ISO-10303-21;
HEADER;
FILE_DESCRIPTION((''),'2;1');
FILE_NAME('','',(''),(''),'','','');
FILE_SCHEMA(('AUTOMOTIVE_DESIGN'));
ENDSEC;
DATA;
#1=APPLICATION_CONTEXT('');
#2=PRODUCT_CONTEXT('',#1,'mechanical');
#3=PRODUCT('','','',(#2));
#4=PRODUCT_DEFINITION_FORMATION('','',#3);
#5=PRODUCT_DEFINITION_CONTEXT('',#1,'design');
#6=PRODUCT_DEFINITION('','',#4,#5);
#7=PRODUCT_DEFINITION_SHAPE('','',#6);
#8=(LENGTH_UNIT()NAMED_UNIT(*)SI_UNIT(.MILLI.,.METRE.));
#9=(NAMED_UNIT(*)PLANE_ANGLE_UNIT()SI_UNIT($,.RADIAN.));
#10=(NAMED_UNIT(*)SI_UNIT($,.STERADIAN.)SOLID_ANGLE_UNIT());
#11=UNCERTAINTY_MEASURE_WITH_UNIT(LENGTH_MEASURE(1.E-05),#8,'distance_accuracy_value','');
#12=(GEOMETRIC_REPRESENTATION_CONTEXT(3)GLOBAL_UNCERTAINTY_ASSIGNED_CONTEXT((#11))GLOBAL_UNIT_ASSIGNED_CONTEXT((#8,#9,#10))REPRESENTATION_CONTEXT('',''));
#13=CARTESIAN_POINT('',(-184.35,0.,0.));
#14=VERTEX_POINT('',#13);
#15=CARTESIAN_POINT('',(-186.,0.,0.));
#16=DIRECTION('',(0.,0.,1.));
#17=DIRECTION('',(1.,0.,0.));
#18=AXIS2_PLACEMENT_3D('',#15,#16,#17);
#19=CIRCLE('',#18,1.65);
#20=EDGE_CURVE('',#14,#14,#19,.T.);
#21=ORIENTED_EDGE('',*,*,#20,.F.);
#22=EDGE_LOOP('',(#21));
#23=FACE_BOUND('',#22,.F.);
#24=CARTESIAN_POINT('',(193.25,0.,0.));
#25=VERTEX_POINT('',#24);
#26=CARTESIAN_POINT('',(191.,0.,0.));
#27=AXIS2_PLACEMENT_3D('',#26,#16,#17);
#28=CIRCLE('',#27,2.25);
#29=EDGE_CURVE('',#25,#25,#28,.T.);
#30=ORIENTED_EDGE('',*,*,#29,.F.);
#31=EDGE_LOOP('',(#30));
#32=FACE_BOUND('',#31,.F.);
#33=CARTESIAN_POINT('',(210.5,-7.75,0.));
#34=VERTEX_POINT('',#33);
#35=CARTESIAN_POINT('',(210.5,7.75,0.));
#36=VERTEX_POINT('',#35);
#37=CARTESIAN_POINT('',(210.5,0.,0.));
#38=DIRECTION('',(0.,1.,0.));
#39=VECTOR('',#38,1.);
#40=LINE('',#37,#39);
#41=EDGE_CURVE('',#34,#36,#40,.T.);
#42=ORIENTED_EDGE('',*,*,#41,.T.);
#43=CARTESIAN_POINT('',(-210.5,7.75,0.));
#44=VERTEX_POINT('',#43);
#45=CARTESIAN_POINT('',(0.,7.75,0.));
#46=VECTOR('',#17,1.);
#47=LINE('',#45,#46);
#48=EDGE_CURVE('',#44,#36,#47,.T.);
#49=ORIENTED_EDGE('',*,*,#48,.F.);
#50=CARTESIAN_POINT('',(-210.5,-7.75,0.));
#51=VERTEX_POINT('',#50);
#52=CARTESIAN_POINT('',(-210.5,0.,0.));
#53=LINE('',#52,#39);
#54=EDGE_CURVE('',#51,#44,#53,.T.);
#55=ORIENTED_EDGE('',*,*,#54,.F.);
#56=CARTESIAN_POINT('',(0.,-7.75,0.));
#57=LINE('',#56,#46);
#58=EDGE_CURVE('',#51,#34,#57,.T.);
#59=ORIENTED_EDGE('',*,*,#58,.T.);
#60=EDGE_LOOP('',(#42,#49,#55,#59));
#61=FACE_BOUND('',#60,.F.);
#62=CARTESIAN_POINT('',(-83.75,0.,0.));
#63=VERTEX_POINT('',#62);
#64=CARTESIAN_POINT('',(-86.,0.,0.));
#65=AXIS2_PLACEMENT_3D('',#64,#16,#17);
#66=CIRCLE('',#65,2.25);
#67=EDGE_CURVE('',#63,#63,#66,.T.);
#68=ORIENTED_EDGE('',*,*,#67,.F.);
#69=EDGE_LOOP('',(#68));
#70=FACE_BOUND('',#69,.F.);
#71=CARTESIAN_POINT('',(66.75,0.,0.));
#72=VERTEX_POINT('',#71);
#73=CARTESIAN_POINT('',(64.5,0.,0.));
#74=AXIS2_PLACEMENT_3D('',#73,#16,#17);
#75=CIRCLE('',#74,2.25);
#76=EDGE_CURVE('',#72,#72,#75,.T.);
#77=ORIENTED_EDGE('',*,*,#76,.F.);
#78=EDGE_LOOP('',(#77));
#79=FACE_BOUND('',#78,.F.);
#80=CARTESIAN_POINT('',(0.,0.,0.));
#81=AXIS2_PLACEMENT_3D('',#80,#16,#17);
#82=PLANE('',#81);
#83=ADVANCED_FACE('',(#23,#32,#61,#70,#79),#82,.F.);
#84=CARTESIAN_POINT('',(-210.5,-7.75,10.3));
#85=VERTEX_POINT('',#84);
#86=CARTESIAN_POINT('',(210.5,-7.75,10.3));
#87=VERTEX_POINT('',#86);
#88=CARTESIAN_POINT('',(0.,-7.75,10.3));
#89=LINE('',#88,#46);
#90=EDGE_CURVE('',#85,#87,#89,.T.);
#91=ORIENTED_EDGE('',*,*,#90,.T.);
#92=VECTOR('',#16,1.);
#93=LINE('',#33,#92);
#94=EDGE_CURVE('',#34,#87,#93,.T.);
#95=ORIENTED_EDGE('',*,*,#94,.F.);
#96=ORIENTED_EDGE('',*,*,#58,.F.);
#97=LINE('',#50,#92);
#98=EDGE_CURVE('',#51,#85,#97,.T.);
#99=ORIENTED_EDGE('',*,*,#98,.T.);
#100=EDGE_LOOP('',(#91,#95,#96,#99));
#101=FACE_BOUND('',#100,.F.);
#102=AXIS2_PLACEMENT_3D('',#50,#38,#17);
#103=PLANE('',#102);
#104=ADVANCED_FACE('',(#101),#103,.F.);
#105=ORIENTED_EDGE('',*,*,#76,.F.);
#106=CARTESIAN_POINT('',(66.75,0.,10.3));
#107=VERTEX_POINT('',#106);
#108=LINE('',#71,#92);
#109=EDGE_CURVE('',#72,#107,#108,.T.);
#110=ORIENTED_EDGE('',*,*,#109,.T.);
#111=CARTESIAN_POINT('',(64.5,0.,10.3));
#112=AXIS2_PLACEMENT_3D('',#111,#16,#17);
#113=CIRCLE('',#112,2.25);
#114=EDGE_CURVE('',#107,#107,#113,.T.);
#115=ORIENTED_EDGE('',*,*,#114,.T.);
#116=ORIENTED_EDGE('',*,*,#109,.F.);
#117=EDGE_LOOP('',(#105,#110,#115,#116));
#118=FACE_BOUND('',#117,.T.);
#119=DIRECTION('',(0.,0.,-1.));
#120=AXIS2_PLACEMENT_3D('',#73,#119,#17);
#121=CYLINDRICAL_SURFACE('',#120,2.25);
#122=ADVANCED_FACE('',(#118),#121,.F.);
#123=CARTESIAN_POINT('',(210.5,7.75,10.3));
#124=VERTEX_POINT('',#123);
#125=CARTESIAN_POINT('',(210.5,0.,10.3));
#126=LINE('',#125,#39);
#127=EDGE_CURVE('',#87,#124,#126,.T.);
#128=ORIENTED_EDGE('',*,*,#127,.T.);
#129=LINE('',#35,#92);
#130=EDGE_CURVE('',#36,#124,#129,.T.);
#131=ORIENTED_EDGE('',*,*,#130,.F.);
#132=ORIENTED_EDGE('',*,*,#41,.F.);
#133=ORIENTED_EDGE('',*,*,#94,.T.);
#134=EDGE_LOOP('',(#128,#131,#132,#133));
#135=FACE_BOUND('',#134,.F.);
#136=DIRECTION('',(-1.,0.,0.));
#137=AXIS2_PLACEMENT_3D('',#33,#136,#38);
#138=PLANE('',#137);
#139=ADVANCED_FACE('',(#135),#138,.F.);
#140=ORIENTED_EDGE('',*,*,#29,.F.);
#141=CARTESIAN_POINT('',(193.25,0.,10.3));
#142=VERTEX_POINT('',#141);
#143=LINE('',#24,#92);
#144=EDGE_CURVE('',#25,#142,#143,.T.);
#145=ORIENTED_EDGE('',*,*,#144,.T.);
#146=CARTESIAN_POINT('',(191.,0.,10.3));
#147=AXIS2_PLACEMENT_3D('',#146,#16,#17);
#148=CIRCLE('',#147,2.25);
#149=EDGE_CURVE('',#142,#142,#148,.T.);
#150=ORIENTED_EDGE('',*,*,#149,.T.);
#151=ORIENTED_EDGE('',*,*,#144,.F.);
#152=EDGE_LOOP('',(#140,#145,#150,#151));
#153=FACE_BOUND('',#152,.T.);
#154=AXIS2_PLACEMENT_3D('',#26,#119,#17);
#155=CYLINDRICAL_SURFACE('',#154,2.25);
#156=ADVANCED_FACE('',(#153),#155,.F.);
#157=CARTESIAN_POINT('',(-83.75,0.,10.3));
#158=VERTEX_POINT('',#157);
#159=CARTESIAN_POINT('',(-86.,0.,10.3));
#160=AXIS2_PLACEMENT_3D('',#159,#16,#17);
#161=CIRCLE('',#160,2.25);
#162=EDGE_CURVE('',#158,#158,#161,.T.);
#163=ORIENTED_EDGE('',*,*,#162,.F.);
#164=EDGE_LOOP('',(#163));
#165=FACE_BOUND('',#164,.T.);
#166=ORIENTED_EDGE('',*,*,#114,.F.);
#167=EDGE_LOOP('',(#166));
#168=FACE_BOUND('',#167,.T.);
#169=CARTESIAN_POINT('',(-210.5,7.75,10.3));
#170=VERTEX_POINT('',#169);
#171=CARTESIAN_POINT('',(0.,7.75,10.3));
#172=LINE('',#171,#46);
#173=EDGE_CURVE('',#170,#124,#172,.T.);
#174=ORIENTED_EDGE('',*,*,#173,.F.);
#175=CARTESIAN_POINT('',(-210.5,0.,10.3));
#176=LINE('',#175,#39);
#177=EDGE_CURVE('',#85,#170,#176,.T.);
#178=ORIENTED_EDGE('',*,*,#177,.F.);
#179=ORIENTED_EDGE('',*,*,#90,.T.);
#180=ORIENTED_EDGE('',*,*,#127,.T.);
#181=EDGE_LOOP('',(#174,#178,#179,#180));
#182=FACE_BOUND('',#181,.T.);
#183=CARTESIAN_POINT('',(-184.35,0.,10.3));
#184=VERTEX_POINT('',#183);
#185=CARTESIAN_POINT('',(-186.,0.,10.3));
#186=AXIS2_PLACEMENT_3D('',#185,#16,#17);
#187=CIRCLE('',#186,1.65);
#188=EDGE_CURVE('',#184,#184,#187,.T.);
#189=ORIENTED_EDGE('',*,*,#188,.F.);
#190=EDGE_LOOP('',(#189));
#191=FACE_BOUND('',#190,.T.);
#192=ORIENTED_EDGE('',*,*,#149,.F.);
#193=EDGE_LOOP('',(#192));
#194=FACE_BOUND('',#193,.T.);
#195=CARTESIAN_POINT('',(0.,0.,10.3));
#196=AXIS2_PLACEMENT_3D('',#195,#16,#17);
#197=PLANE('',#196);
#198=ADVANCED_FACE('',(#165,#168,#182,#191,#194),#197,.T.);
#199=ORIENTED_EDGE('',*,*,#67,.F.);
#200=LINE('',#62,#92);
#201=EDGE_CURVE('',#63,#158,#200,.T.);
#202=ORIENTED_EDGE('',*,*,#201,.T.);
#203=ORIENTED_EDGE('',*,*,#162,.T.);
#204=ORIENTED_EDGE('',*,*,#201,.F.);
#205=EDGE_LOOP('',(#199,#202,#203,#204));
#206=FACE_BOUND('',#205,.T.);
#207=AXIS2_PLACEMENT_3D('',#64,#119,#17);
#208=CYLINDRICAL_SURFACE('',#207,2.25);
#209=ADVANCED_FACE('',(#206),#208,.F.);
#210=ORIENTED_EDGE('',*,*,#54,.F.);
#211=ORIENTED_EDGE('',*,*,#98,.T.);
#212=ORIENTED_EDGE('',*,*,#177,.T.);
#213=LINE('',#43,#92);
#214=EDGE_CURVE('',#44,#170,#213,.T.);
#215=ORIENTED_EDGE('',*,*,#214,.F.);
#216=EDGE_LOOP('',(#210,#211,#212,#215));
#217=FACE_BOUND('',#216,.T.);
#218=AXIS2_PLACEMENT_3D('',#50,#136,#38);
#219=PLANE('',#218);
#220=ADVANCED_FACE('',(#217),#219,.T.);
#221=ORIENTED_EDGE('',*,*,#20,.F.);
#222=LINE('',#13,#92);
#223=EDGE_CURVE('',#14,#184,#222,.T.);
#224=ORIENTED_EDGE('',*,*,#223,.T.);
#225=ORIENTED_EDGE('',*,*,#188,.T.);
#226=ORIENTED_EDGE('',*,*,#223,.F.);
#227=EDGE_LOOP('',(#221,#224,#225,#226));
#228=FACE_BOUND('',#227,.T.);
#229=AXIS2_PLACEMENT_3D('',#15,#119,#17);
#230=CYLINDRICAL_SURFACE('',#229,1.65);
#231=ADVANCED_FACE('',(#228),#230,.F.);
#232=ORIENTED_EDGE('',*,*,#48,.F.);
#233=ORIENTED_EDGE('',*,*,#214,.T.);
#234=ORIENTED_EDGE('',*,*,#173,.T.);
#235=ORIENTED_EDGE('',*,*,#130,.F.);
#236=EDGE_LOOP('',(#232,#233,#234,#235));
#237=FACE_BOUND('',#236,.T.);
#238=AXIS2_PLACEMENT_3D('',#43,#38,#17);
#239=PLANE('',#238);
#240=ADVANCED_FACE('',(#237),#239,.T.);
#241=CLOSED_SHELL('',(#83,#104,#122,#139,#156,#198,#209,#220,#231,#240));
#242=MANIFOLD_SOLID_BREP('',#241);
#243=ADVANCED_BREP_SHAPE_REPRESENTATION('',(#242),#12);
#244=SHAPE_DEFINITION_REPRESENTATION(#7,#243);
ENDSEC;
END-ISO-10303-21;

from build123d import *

# Parameters (mm, degrees)
F0_W     = 421
F0_H     = 15.5
F0_R     = 1.65
F0_R_2   = 2.25
F1_DEPTH = 10.3


with BuildPart() as f1:
    # F0 (on Top) → F1 (new body)
    with BuildSketch(Plane.XY):
        Rectangle(F0_W, F0_H)
        with Locations((-186, 0)):
            Circle(F0_R, mode=Mode.SUBTRACT)
        with Locations((-86, 0)):
            Circle(F0_R_2, mode=Mode.SUBTRACT)
        with Locations((64.5, 0)):
            Circle(F0_R_2, mode=Mode.SUBTRACT)
        with Locations((191, 0)):
            Circle(F0_R_2, mode=Mode.SUBTRACT)
    extrude(amount=F1_DEPTH)


solid = f1.part
